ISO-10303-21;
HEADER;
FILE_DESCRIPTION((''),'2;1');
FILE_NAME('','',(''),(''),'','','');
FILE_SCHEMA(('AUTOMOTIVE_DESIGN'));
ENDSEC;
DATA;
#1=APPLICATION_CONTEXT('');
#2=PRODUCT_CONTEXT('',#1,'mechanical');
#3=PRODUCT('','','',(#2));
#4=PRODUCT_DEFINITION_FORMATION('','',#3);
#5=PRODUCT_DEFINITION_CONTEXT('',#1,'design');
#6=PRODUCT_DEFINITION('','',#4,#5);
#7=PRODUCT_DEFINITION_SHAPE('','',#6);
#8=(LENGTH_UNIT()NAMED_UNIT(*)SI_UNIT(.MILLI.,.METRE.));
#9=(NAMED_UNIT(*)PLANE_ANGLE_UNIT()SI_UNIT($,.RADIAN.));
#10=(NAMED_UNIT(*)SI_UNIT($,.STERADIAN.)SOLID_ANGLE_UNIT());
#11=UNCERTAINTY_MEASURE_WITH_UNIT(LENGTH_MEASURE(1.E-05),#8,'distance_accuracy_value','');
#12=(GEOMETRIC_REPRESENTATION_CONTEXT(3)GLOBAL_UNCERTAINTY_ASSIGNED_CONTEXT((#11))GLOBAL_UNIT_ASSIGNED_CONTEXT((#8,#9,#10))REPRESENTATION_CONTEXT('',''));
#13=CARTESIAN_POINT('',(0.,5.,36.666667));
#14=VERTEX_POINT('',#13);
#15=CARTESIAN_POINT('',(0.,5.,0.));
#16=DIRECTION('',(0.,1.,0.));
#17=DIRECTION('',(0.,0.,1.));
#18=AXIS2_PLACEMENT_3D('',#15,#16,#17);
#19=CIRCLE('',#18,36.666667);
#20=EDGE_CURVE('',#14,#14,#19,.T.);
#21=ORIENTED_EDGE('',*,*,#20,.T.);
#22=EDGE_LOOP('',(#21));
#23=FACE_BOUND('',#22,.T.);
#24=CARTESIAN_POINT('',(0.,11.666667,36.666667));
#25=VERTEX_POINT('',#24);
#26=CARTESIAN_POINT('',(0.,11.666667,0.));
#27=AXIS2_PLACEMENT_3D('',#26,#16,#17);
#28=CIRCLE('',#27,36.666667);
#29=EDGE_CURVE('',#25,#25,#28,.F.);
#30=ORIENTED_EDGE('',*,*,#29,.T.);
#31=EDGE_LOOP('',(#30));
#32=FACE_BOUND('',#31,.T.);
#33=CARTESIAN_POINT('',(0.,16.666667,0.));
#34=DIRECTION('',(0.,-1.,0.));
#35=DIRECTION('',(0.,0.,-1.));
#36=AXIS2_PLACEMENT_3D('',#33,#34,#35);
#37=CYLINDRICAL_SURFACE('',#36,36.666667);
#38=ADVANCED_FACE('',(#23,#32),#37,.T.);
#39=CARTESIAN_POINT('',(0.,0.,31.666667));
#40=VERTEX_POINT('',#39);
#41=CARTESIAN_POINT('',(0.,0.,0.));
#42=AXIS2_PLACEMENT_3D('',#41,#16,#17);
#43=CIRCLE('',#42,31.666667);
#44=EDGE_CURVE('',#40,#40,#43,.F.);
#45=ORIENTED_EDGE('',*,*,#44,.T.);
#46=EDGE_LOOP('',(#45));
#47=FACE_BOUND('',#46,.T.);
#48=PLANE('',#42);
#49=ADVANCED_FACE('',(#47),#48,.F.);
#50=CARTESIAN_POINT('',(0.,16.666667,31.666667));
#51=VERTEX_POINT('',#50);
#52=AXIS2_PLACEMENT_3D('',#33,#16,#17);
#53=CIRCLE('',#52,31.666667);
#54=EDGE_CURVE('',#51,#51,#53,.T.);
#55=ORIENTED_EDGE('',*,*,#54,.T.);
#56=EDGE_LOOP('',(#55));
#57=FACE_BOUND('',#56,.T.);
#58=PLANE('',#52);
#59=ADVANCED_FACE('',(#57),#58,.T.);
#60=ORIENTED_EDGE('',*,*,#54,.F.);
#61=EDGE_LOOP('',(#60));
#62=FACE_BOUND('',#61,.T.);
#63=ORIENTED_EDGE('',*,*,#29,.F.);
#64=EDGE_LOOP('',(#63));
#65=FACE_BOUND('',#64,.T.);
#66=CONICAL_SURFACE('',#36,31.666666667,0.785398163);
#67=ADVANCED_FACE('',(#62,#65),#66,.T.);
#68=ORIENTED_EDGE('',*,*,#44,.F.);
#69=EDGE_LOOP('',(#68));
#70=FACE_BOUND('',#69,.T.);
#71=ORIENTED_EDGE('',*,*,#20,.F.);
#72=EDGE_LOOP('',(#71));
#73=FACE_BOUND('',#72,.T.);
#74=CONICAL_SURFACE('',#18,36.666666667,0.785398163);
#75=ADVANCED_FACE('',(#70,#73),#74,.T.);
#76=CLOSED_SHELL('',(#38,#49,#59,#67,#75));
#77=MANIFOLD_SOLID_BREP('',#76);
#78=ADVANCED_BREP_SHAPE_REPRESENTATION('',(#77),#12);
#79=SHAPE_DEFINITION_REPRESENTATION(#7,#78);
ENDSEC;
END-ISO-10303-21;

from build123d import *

# Parameters (mm, degrees)
SKETCH2_R           = 110
BOSS_EXTRUDE1_DEPTH = 50
CHAMFER1_SIZE       = 15
SCALE1_SCALE        = 0.333333333


with BuildPart() as part:
    # Sketch2 → Boss-Extrude1 (new body)
    with BuildSketch(Plane(origin=(0, 0, 0), x_dir=(1, 0, 0), z_dir=(0, 1, 0))):
        with Locations(Location((0, 0, 0), (0, 0, 270))):
            Circle(SKETCH2_R)
    extrude(amount=BOSS_EXTRUDE1_DEPTH)

    # Chamfer1
    chamfer1_edges = [part.edges().sort_by_distance(p)[0] for p in [
        (0, 0, -110),
        (0, 50, -110),
    ]]
    chamfer(chamfer1_edges, length=CHAMFER1_SIZE)


with BuildPart() as part_1:
    # Scale1: scaled about (0, 0, 0)
    add(part.part.scale(SCALE1_SCALE))


solid = part_1.part
